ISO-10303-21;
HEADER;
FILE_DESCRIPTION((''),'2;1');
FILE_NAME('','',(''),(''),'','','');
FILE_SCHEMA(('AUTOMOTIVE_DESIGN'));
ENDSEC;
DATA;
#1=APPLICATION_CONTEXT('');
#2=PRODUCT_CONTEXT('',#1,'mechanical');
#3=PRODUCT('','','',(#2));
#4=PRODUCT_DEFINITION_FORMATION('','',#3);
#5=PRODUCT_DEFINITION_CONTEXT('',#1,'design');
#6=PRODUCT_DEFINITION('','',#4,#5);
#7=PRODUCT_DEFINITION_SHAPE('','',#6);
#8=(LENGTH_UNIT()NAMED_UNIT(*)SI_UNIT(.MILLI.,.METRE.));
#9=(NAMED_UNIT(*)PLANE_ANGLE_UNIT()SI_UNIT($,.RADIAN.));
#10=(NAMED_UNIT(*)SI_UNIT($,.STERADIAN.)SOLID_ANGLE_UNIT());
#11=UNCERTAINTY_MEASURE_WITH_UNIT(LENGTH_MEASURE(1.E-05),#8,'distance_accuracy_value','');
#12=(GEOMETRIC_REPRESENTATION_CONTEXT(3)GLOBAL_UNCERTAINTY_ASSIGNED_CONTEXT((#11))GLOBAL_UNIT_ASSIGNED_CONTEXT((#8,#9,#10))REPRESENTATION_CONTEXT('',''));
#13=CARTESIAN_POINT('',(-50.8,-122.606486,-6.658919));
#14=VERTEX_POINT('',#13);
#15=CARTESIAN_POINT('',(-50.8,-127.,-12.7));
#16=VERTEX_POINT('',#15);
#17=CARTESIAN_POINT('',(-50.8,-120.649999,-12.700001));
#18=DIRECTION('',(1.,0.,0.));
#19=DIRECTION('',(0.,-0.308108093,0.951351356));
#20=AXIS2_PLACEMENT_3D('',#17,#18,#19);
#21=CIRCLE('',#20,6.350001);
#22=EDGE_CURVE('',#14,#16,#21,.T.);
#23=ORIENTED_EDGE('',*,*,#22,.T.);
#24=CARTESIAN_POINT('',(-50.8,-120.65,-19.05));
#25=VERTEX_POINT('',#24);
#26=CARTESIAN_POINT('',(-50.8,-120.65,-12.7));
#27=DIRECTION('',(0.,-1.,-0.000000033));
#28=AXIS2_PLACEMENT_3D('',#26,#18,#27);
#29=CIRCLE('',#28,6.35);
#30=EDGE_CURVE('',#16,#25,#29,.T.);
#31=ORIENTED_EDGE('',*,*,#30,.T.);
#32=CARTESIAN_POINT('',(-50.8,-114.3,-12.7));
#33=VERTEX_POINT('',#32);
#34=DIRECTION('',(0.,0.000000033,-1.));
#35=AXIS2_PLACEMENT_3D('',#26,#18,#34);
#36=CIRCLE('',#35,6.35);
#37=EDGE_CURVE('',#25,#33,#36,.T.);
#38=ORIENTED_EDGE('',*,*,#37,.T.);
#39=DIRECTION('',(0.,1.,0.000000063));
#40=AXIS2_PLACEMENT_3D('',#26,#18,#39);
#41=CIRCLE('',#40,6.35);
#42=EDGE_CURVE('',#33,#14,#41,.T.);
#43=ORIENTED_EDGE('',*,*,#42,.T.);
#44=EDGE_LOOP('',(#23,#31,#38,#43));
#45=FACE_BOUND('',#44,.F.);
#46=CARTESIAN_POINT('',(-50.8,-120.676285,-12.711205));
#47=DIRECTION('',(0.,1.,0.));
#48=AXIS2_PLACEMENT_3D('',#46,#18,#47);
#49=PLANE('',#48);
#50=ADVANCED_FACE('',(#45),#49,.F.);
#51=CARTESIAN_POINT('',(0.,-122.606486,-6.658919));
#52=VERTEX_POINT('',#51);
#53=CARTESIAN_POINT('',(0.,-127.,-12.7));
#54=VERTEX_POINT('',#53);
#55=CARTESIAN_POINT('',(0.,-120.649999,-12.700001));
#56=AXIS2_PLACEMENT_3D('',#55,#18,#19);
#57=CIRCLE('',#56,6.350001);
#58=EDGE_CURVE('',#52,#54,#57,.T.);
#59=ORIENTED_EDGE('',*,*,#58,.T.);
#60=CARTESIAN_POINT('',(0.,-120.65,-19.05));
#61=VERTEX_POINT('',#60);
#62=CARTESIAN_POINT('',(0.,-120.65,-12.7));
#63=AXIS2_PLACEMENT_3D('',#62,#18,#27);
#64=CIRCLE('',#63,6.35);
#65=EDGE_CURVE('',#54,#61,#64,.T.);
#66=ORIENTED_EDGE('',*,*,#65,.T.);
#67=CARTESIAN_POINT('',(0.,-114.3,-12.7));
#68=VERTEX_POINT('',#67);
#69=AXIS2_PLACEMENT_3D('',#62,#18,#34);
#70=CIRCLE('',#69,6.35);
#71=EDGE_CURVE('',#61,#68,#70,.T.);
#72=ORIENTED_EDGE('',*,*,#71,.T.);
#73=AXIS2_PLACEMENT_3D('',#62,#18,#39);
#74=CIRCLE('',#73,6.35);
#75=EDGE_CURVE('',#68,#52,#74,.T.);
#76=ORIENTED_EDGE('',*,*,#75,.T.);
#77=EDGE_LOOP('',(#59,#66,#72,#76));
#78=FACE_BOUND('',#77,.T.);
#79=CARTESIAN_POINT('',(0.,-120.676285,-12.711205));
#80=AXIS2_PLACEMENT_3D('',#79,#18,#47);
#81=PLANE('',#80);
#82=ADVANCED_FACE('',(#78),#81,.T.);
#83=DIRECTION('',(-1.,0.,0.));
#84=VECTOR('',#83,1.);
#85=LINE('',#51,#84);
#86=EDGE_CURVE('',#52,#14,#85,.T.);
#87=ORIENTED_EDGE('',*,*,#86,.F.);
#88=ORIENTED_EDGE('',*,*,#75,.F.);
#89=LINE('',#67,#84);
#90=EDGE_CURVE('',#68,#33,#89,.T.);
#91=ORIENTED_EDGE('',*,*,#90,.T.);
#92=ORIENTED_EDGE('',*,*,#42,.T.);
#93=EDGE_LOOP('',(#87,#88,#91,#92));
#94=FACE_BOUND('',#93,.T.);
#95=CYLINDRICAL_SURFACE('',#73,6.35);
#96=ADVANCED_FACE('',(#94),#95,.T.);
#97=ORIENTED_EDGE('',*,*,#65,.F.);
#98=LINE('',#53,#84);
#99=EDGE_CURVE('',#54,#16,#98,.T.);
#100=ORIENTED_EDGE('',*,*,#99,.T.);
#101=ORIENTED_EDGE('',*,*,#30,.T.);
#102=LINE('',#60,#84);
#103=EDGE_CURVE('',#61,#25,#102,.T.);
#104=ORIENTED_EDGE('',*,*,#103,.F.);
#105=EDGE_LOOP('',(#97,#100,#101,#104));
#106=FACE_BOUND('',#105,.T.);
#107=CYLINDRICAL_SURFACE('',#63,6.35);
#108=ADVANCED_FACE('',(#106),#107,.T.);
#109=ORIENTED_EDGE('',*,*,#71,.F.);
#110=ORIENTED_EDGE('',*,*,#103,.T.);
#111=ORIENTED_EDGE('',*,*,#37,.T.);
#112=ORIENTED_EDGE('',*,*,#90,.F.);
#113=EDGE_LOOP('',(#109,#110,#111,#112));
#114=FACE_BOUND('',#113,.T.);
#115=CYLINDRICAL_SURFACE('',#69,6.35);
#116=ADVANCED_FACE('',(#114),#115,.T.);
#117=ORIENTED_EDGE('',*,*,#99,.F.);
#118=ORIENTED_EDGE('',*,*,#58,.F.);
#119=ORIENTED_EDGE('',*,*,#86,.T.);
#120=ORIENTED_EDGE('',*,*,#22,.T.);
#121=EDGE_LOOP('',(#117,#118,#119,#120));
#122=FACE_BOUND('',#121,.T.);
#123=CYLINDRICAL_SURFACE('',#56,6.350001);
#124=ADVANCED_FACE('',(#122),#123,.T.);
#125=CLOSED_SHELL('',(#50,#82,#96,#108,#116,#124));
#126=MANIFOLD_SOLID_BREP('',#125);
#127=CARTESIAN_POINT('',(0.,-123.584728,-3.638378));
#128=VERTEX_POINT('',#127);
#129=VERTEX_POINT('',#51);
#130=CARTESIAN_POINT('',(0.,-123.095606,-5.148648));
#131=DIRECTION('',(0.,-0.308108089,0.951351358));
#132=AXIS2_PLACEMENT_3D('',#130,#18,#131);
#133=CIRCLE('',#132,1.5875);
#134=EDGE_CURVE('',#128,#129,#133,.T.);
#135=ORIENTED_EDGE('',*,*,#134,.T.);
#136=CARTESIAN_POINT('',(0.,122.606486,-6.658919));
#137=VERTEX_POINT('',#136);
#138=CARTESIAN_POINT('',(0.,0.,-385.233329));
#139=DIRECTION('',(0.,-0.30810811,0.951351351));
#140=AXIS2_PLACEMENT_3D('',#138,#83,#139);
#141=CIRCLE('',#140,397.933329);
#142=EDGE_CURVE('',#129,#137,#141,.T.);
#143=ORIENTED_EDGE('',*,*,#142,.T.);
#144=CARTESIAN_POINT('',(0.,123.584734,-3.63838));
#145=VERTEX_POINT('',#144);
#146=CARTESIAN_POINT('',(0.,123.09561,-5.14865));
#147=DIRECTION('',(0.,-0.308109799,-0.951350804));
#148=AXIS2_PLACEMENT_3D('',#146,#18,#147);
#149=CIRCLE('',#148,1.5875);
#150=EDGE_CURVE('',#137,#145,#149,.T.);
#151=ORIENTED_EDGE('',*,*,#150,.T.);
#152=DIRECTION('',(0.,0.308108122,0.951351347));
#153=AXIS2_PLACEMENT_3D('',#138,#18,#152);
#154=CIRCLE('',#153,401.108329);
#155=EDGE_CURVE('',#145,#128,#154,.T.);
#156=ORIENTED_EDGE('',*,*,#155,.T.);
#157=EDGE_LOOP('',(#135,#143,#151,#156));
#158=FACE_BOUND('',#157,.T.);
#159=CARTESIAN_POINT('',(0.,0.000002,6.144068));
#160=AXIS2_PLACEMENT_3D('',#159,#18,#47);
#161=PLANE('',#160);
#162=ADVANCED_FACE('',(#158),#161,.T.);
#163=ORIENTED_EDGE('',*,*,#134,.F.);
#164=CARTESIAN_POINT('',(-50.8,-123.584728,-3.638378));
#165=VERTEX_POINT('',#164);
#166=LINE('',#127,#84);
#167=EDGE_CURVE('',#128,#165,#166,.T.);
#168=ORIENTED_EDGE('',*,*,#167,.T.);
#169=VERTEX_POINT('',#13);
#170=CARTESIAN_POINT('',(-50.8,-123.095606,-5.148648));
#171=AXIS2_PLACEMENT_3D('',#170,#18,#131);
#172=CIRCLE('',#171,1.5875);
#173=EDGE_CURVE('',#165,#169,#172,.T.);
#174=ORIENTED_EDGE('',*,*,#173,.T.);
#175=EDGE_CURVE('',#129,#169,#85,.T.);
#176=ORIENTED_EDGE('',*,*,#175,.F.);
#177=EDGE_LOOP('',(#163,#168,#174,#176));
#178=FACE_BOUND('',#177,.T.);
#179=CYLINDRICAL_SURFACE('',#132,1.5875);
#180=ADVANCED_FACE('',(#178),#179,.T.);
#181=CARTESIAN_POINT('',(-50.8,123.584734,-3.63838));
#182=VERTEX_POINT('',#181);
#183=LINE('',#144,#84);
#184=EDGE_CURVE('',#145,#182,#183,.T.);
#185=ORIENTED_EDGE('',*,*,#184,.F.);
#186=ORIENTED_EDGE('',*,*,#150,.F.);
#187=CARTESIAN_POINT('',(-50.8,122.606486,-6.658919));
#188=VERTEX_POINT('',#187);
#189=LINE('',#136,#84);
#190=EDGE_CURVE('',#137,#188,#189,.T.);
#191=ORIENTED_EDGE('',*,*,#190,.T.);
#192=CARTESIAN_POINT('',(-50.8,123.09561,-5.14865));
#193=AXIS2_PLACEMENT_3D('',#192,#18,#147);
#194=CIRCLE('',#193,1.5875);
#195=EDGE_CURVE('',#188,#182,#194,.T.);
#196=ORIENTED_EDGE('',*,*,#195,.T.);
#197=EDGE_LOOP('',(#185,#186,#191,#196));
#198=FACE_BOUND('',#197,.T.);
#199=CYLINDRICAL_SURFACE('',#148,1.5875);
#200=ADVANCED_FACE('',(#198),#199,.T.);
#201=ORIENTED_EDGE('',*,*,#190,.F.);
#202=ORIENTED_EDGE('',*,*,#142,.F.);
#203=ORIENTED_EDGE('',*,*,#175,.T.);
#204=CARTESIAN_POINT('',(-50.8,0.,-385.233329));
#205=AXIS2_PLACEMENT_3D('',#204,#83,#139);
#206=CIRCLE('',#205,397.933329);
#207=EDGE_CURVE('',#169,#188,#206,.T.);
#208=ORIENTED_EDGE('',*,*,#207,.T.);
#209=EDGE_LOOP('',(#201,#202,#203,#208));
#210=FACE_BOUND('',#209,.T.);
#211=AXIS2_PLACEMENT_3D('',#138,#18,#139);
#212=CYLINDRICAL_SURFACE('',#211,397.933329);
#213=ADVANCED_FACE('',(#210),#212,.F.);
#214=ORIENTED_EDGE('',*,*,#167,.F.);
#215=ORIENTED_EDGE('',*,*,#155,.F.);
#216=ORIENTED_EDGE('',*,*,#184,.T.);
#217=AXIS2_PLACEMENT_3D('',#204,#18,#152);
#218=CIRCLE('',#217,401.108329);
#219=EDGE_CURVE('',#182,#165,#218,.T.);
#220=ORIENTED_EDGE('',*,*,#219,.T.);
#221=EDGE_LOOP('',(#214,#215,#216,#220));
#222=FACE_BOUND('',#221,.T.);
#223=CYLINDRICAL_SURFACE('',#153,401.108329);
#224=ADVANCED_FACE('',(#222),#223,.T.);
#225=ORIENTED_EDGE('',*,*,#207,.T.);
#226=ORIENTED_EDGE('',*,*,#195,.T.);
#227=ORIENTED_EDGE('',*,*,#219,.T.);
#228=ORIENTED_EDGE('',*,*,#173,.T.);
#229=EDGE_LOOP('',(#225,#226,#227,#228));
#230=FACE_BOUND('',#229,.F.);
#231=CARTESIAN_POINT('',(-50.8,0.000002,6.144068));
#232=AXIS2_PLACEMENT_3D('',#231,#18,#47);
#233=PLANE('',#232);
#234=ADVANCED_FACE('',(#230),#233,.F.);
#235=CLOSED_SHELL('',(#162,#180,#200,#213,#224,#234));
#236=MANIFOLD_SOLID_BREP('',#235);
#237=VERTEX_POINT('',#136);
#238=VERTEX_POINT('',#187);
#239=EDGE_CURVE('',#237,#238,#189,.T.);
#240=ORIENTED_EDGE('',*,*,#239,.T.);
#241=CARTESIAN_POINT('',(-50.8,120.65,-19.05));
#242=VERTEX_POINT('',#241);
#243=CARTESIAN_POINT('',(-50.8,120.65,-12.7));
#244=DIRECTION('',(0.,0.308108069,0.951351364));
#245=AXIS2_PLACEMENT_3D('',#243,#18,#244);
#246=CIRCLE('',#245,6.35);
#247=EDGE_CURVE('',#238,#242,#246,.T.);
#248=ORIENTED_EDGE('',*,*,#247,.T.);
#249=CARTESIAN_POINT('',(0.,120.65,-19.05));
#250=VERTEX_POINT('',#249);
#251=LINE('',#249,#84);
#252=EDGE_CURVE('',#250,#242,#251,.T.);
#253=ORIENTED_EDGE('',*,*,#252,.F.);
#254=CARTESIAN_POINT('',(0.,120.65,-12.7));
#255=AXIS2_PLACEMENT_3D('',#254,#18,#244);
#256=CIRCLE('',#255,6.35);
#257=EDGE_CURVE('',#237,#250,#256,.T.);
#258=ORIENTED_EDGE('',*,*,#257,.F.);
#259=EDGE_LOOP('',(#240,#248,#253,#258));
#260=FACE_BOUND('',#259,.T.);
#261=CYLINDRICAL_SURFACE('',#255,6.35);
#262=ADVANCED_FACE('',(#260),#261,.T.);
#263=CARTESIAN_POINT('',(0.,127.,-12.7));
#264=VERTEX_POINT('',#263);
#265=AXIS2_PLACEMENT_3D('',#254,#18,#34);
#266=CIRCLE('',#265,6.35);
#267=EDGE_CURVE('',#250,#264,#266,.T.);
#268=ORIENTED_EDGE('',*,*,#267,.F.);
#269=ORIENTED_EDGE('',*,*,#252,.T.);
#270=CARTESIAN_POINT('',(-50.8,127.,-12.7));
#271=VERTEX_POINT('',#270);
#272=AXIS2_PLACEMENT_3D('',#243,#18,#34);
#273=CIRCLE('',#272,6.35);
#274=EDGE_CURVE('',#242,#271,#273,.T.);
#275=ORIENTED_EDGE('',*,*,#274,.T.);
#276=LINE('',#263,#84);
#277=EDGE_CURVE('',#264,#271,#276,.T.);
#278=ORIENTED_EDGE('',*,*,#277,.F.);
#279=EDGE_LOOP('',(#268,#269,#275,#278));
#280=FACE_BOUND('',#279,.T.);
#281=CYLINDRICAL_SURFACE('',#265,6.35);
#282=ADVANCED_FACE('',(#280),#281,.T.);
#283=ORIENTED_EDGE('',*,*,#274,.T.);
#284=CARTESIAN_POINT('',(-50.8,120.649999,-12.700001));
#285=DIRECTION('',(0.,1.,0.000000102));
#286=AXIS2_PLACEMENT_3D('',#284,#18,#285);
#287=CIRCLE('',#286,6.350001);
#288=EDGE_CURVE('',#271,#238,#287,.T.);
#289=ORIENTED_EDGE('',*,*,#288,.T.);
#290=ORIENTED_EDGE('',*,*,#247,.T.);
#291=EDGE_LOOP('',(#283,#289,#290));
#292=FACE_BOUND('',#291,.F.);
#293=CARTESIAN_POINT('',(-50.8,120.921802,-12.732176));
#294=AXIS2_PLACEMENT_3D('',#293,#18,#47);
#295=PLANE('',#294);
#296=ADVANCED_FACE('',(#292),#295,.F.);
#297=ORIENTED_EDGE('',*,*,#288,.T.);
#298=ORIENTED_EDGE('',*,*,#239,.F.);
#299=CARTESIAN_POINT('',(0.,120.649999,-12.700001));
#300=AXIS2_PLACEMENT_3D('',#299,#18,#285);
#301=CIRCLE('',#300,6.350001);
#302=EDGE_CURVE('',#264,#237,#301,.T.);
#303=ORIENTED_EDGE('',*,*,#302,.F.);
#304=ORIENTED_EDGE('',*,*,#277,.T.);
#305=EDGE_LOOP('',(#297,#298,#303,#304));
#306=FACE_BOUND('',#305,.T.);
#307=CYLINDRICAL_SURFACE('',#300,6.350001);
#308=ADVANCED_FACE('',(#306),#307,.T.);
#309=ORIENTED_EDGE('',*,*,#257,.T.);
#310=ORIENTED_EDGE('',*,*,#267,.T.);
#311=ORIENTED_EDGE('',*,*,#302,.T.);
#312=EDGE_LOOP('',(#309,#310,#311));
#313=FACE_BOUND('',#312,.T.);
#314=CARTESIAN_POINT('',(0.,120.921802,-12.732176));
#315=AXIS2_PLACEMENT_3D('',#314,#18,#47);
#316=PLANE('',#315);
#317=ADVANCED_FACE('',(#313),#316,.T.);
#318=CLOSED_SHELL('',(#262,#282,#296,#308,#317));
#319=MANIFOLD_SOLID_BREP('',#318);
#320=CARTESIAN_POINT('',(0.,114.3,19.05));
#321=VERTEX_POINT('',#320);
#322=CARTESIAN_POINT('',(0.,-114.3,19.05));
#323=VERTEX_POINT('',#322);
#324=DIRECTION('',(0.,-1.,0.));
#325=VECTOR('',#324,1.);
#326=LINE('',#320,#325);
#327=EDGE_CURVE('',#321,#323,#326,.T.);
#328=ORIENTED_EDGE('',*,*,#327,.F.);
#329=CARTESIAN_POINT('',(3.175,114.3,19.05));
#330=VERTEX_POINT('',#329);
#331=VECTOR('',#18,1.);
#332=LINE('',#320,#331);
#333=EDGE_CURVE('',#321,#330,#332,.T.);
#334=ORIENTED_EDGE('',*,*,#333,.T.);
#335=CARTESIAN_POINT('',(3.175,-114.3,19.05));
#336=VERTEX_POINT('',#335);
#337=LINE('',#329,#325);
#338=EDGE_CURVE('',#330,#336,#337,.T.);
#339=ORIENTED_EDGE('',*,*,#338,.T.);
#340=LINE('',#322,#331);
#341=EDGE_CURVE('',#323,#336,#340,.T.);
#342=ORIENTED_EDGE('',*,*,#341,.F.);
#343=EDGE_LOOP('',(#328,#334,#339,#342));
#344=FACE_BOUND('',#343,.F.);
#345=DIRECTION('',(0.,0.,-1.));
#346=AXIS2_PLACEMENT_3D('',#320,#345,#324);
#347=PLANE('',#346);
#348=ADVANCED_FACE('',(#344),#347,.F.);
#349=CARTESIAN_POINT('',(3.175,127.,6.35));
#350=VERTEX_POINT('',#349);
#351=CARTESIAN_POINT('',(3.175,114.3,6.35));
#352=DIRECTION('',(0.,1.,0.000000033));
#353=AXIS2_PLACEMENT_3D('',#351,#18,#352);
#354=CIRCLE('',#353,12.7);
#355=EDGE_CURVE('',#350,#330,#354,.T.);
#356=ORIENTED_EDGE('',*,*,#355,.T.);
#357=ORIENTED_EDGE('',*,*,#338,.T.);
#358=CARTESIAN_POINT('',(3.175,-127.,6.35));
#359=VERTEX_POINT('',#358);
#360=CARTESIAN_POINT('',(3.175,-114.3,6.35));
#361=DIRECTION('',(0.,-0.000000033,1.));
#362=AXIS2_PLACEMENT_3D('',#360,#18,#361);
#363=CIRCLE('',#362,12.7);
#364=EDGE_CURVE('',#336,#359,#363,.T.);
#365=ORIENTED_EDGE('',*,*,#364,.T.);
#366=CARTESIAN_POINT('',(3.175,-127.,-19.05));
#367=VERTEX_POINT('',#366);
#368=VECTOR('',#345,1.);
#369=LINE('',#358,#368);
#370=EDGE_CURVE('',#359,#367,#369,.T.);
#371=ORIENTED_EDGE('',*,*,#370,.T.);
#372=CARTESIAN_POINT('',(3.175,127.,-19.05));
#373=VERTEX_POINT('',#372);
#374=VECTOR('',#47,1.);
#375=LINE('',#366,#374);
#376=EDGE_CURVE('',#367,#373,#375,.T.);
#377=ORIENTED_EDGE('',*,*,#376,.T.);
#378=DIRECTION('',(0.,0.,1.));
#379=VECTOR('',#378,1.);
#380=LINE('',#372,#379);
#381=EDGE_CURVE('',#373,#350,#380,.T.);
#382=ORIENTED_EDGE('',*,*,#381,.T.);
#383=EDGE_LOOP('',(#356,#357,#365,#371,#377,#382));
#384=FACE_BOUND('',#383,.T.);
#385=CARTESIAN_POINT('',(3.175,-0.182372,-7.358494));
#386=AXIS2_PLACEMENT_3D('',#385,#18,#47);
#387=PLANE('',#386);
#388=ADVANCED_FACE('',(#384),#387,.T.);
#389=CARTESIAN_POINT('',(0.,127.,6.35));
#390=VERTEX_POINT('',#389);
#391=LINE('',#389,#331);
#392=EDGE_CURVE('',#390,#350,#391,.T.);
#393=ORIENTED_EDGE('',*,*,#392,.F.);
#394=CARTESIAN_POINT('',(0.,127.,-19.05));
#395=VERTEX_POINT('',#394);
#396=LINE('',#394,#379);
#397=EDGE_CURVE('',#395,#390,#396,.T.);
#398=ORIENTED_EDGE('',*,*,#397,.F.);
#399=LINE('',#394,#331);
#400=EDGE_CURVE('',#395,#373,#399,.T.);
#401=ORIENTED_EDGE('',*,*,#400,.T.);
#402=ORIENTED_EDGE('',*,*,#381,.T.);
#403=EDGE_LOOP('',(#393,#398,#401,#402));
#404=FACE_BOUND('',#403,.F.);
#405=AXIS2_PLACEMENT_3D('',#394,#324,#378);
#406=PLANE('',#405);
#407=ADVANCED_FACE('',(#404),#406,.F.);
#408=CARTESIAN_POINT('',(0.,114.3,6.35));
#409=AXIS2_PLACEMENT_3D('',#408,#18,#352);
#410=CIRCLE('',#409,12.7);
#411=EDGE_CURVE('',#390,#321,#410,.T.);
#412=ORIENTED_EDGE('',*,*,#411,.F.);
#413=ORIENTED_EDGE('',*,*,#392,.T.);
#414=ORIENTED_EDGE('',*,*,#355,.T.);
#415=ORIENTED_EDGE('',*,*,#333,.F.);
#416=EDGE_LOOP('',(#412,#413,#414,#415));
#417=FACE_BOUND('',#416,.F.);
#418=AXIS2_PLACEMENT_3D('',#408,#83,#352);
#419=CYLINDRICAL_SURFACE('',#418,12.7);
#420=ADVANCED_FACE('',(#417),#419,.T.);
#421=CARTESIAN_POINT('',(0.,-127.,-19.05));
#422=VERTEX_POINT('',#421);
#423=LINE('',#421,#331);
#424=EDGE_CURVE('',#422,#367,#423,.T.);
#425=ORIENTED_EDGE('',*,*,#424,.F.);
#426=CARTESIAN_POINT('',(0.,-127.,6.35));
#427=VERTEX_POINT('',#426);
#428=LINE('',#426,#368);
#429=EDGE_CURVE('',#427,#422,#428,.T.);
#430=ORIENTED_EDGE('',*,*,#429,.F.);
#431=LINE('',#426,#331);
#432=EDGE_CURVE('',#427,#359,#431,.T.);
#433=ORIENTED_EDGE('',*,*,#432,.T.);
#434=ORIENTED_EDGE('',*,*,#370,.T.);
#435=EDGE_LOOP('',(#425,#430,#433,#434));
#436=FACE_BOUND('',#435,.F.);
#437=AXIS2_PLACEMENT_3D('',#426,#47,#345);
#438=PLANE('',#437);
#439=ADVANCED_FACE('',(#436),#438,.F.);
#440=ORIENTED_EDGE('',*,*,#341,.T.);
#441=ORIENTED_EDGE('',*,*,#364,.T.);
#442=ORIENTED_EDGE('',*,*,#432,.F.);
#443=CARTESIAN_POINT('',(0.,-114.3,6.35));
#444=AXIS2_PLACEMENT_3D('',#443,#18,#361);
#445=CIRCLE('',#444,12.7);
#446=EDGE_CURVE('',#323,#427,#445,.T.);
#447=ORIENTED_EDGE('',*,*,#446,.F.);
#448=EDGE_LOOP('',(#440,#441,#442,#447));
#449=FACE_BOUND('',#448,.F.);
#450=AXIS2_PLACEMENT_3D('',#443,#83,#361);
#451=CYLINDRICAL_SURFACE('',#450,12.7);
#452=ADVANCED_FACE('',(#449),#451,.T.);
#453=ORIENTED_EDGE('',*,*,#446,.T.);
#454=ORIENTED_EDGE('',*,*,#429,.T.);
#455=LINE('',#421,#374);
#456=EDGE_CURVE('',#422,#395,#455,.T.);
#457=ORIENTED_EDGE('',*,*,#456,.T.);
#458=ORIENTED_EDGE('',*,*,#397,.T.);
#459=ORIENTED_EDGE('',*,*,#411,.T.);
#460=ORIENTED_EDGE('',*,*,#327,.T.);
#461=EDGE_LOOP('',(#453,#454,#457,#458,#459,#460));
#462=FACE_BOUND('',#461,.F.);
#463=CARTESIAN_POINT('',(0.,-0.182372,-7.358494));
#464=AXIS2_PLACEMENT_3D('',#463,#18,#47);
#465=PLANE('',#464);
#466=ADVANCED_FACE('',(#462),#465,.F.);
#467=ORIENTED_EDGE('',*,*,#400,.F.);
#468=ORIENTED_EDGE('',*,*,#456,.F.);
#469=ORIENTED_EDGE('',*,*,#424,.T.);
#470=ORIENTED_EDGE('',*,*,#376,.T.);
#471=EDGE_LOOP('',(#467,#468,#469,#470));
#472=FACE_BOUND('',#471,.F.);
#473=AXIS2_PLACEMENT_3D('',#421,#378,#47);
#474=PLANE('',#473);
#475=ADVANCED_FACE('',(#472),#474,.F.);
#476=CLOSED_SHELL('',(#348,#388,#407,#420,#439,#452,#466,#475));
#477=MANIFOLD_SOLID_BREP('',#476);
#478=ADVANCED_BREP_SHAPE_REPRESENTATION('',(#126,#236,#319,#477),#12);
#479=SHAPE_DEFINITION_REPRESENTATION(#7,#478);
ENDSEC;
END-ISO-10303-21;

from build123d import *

# Parameters (mm, degrees)
F1_DEPTH = 3.175
F2_DEPTH = 50.8
F3_DEPTH = 50.8


with BuildPart() as f1:
    # F0 (on Right) → F1 (new body)
    with BuildSketch(Plane.YZ):
        with BuildLine():
            ThreePointArc((122.606486, -6.658919), (0, 12.7), (-122.606486, -6.658919))
            ThreePointArc((-122.606486, -6.658919), (-116.91511, -7.564526), (-114.3, -12.7))
            ThreePointArc((-114.3, -12.7), (-116.159872, -17.190128), (-120.65, -19.05))
            Line((-120.65, -19.05), (120.65, -19.05))
            ThreePointArc((120.65, -19.05), (114.377705, -11.709638), (122.606486, -6.658919))
        make_face()
        with BuildLine():
            ThreePointArc((-123.584728, -3.638378), (-124.605877, -5.637769), (-122.606486, -6.658919))
            ThreePointArc((-122.606486, -6.658919), (0, 12.7), (122.606486, -6.658919))
            ThreePointArc((122.606486, -6.658919), (124.60588, -5.637773), (123.584734, -3.63838))
            ThreePointArc((123.584734, -3.63838), (3e-06, 15.875), (-123.584728, -3.638378))
        make_face()
        with BuildLine():
            ThreePointArc((-120.65, -19.05), (-125.140128, -17.190128), (-127, -12.7))
            Line((-127, -12.7), (-127, -19.05))
            Line((-127, -19.05), (-120.65, -19.05))
        make_face()
        with BuildLine():
            Line((114.3, 19.05), (-114.3, 19.05))
            ThreePointArc((-114.3, 19.05), (-123.280256, 15.330256), (-127, 6.35))
            Line((-127, 6.35), (-127, -12.7))
            ThreePointArc((-127, -12.7), (-125.785474, -8.96511), (-122.606486, -6.658919))
            ThreePointArc((-122.606486, -6.658919), (-124.605877, -5.637769), (-123.584728, -3.638378))
            ThreePointArc((-123.584728, -3.638378), (3e-06, 15.875), (123.584734, -3.63838))
            ThreePointArc((123.584734, -3.63838), (124.60588, -5.637773), (122.606486, -6.658919))
            ThreePointArc((122.606486, -6.658919), (125.785474, -8.96511), (127, -12.7))
            Line((127, -12.7), (127, 6.35))
            ThreePointArc((127, 6.35), (123.280256, 15.330256), (114.3, 19.05))
        make_face()
        with BuildLine():
            Line((127, -19.05), (127, -12.7))
            ThreePointArc((127, -12.7), (125.140128, -17.190128), (120.65, -19.05))
            Line((120.65, -19.05), (127, -19.05))
        make_face()
        with BuildLine():
            ThreePointArc((-122.606486, -6.658919), (-125.785474, -8.96511), (-127, -12.7))
            ThreePointArc((-127, -12.7), (-125.140128, -17.190128), (-120.65, -19.05))
            ThreePointArc((-120.65, -19.05), (-116.159872, -17.190128), (-114.3, -12.7))
            ThreePointArc((-114.3, -12.7), (-116.91511, -7.564526), (-122.606486, -6.658919))
        make_face()
        with BuildLine():
            ThreePointArc((120.65, -19.05), (125.140128, -17.190128), (127, -12.7))
            ThreePointArc((127, -12.7), (125.785474, -8.96511), (122.606486, -6.658919))
            ThreePointArc((122.606486, -6.658919), (114.377705, -11.709638), (120.65, -19.05))
        make_face()
    extrude(amount=F1_DEPTH)


with BuildPart() as f2:
    # F0 (on Right) → F2 (new body)
    with BuildSketch(Plane.YZ):
        with BuildLine():
            ThreePointArc((-122.606486, -6.658919), (-125.785474, -8.96511), (-127, -12.7))
            ThreePointArc((-127, -12.7), (-125.140128, -17.190128), (-120.65, -19.05))
            ThreePointArc((-120.65, -19.05), (-116.159872, -17.190128), (-114.3, -12.7))
            ThreePointArc((-114.3, -12.7), (-116.91511, -7.564526), (-122.606486, -6.658919))
        make_face()
        with BuildLine():
            ThreePointArc((120.65, -19.05), (125.140128, -17.190128), (127, -12.7))
            ThreePointArc((127, -12.7), (125.785474, -8.96511), (122.606486, -6.658919))
            ThreePointArc((122.606486, -6.658919), (114.377705, -11.709638), (120.65, -19.05))
        make_face()
    extrude(amount=-F2_DEPTH)


with BuildPart() as f3:
    # F0 (on Right) → F3 (new body, through all)
    with BuildSketch(Plane.YZ):
        with BuildLine():
            ThreePointArc((-123.584728, -3.638378), (-124.605877, -5.637769), (-122.606486, -6.658919))
            ThreePointArc((-122.606486, -6.658919), (0, 12.7), (122.606486, -6.658919))
            ThreePointArc((122.606486, -6.658919), (124.60588, -5.637773), (123.584734, -3.63838))
            ThreePointArc((123.584734, -3.63838), (3e-06, 15.875), (-123.584728, -3.638378))
        make_face()
    extrude(amount=-F3_DEPTH)


solid = Compound([f1.part, f2.part, f3.part])
